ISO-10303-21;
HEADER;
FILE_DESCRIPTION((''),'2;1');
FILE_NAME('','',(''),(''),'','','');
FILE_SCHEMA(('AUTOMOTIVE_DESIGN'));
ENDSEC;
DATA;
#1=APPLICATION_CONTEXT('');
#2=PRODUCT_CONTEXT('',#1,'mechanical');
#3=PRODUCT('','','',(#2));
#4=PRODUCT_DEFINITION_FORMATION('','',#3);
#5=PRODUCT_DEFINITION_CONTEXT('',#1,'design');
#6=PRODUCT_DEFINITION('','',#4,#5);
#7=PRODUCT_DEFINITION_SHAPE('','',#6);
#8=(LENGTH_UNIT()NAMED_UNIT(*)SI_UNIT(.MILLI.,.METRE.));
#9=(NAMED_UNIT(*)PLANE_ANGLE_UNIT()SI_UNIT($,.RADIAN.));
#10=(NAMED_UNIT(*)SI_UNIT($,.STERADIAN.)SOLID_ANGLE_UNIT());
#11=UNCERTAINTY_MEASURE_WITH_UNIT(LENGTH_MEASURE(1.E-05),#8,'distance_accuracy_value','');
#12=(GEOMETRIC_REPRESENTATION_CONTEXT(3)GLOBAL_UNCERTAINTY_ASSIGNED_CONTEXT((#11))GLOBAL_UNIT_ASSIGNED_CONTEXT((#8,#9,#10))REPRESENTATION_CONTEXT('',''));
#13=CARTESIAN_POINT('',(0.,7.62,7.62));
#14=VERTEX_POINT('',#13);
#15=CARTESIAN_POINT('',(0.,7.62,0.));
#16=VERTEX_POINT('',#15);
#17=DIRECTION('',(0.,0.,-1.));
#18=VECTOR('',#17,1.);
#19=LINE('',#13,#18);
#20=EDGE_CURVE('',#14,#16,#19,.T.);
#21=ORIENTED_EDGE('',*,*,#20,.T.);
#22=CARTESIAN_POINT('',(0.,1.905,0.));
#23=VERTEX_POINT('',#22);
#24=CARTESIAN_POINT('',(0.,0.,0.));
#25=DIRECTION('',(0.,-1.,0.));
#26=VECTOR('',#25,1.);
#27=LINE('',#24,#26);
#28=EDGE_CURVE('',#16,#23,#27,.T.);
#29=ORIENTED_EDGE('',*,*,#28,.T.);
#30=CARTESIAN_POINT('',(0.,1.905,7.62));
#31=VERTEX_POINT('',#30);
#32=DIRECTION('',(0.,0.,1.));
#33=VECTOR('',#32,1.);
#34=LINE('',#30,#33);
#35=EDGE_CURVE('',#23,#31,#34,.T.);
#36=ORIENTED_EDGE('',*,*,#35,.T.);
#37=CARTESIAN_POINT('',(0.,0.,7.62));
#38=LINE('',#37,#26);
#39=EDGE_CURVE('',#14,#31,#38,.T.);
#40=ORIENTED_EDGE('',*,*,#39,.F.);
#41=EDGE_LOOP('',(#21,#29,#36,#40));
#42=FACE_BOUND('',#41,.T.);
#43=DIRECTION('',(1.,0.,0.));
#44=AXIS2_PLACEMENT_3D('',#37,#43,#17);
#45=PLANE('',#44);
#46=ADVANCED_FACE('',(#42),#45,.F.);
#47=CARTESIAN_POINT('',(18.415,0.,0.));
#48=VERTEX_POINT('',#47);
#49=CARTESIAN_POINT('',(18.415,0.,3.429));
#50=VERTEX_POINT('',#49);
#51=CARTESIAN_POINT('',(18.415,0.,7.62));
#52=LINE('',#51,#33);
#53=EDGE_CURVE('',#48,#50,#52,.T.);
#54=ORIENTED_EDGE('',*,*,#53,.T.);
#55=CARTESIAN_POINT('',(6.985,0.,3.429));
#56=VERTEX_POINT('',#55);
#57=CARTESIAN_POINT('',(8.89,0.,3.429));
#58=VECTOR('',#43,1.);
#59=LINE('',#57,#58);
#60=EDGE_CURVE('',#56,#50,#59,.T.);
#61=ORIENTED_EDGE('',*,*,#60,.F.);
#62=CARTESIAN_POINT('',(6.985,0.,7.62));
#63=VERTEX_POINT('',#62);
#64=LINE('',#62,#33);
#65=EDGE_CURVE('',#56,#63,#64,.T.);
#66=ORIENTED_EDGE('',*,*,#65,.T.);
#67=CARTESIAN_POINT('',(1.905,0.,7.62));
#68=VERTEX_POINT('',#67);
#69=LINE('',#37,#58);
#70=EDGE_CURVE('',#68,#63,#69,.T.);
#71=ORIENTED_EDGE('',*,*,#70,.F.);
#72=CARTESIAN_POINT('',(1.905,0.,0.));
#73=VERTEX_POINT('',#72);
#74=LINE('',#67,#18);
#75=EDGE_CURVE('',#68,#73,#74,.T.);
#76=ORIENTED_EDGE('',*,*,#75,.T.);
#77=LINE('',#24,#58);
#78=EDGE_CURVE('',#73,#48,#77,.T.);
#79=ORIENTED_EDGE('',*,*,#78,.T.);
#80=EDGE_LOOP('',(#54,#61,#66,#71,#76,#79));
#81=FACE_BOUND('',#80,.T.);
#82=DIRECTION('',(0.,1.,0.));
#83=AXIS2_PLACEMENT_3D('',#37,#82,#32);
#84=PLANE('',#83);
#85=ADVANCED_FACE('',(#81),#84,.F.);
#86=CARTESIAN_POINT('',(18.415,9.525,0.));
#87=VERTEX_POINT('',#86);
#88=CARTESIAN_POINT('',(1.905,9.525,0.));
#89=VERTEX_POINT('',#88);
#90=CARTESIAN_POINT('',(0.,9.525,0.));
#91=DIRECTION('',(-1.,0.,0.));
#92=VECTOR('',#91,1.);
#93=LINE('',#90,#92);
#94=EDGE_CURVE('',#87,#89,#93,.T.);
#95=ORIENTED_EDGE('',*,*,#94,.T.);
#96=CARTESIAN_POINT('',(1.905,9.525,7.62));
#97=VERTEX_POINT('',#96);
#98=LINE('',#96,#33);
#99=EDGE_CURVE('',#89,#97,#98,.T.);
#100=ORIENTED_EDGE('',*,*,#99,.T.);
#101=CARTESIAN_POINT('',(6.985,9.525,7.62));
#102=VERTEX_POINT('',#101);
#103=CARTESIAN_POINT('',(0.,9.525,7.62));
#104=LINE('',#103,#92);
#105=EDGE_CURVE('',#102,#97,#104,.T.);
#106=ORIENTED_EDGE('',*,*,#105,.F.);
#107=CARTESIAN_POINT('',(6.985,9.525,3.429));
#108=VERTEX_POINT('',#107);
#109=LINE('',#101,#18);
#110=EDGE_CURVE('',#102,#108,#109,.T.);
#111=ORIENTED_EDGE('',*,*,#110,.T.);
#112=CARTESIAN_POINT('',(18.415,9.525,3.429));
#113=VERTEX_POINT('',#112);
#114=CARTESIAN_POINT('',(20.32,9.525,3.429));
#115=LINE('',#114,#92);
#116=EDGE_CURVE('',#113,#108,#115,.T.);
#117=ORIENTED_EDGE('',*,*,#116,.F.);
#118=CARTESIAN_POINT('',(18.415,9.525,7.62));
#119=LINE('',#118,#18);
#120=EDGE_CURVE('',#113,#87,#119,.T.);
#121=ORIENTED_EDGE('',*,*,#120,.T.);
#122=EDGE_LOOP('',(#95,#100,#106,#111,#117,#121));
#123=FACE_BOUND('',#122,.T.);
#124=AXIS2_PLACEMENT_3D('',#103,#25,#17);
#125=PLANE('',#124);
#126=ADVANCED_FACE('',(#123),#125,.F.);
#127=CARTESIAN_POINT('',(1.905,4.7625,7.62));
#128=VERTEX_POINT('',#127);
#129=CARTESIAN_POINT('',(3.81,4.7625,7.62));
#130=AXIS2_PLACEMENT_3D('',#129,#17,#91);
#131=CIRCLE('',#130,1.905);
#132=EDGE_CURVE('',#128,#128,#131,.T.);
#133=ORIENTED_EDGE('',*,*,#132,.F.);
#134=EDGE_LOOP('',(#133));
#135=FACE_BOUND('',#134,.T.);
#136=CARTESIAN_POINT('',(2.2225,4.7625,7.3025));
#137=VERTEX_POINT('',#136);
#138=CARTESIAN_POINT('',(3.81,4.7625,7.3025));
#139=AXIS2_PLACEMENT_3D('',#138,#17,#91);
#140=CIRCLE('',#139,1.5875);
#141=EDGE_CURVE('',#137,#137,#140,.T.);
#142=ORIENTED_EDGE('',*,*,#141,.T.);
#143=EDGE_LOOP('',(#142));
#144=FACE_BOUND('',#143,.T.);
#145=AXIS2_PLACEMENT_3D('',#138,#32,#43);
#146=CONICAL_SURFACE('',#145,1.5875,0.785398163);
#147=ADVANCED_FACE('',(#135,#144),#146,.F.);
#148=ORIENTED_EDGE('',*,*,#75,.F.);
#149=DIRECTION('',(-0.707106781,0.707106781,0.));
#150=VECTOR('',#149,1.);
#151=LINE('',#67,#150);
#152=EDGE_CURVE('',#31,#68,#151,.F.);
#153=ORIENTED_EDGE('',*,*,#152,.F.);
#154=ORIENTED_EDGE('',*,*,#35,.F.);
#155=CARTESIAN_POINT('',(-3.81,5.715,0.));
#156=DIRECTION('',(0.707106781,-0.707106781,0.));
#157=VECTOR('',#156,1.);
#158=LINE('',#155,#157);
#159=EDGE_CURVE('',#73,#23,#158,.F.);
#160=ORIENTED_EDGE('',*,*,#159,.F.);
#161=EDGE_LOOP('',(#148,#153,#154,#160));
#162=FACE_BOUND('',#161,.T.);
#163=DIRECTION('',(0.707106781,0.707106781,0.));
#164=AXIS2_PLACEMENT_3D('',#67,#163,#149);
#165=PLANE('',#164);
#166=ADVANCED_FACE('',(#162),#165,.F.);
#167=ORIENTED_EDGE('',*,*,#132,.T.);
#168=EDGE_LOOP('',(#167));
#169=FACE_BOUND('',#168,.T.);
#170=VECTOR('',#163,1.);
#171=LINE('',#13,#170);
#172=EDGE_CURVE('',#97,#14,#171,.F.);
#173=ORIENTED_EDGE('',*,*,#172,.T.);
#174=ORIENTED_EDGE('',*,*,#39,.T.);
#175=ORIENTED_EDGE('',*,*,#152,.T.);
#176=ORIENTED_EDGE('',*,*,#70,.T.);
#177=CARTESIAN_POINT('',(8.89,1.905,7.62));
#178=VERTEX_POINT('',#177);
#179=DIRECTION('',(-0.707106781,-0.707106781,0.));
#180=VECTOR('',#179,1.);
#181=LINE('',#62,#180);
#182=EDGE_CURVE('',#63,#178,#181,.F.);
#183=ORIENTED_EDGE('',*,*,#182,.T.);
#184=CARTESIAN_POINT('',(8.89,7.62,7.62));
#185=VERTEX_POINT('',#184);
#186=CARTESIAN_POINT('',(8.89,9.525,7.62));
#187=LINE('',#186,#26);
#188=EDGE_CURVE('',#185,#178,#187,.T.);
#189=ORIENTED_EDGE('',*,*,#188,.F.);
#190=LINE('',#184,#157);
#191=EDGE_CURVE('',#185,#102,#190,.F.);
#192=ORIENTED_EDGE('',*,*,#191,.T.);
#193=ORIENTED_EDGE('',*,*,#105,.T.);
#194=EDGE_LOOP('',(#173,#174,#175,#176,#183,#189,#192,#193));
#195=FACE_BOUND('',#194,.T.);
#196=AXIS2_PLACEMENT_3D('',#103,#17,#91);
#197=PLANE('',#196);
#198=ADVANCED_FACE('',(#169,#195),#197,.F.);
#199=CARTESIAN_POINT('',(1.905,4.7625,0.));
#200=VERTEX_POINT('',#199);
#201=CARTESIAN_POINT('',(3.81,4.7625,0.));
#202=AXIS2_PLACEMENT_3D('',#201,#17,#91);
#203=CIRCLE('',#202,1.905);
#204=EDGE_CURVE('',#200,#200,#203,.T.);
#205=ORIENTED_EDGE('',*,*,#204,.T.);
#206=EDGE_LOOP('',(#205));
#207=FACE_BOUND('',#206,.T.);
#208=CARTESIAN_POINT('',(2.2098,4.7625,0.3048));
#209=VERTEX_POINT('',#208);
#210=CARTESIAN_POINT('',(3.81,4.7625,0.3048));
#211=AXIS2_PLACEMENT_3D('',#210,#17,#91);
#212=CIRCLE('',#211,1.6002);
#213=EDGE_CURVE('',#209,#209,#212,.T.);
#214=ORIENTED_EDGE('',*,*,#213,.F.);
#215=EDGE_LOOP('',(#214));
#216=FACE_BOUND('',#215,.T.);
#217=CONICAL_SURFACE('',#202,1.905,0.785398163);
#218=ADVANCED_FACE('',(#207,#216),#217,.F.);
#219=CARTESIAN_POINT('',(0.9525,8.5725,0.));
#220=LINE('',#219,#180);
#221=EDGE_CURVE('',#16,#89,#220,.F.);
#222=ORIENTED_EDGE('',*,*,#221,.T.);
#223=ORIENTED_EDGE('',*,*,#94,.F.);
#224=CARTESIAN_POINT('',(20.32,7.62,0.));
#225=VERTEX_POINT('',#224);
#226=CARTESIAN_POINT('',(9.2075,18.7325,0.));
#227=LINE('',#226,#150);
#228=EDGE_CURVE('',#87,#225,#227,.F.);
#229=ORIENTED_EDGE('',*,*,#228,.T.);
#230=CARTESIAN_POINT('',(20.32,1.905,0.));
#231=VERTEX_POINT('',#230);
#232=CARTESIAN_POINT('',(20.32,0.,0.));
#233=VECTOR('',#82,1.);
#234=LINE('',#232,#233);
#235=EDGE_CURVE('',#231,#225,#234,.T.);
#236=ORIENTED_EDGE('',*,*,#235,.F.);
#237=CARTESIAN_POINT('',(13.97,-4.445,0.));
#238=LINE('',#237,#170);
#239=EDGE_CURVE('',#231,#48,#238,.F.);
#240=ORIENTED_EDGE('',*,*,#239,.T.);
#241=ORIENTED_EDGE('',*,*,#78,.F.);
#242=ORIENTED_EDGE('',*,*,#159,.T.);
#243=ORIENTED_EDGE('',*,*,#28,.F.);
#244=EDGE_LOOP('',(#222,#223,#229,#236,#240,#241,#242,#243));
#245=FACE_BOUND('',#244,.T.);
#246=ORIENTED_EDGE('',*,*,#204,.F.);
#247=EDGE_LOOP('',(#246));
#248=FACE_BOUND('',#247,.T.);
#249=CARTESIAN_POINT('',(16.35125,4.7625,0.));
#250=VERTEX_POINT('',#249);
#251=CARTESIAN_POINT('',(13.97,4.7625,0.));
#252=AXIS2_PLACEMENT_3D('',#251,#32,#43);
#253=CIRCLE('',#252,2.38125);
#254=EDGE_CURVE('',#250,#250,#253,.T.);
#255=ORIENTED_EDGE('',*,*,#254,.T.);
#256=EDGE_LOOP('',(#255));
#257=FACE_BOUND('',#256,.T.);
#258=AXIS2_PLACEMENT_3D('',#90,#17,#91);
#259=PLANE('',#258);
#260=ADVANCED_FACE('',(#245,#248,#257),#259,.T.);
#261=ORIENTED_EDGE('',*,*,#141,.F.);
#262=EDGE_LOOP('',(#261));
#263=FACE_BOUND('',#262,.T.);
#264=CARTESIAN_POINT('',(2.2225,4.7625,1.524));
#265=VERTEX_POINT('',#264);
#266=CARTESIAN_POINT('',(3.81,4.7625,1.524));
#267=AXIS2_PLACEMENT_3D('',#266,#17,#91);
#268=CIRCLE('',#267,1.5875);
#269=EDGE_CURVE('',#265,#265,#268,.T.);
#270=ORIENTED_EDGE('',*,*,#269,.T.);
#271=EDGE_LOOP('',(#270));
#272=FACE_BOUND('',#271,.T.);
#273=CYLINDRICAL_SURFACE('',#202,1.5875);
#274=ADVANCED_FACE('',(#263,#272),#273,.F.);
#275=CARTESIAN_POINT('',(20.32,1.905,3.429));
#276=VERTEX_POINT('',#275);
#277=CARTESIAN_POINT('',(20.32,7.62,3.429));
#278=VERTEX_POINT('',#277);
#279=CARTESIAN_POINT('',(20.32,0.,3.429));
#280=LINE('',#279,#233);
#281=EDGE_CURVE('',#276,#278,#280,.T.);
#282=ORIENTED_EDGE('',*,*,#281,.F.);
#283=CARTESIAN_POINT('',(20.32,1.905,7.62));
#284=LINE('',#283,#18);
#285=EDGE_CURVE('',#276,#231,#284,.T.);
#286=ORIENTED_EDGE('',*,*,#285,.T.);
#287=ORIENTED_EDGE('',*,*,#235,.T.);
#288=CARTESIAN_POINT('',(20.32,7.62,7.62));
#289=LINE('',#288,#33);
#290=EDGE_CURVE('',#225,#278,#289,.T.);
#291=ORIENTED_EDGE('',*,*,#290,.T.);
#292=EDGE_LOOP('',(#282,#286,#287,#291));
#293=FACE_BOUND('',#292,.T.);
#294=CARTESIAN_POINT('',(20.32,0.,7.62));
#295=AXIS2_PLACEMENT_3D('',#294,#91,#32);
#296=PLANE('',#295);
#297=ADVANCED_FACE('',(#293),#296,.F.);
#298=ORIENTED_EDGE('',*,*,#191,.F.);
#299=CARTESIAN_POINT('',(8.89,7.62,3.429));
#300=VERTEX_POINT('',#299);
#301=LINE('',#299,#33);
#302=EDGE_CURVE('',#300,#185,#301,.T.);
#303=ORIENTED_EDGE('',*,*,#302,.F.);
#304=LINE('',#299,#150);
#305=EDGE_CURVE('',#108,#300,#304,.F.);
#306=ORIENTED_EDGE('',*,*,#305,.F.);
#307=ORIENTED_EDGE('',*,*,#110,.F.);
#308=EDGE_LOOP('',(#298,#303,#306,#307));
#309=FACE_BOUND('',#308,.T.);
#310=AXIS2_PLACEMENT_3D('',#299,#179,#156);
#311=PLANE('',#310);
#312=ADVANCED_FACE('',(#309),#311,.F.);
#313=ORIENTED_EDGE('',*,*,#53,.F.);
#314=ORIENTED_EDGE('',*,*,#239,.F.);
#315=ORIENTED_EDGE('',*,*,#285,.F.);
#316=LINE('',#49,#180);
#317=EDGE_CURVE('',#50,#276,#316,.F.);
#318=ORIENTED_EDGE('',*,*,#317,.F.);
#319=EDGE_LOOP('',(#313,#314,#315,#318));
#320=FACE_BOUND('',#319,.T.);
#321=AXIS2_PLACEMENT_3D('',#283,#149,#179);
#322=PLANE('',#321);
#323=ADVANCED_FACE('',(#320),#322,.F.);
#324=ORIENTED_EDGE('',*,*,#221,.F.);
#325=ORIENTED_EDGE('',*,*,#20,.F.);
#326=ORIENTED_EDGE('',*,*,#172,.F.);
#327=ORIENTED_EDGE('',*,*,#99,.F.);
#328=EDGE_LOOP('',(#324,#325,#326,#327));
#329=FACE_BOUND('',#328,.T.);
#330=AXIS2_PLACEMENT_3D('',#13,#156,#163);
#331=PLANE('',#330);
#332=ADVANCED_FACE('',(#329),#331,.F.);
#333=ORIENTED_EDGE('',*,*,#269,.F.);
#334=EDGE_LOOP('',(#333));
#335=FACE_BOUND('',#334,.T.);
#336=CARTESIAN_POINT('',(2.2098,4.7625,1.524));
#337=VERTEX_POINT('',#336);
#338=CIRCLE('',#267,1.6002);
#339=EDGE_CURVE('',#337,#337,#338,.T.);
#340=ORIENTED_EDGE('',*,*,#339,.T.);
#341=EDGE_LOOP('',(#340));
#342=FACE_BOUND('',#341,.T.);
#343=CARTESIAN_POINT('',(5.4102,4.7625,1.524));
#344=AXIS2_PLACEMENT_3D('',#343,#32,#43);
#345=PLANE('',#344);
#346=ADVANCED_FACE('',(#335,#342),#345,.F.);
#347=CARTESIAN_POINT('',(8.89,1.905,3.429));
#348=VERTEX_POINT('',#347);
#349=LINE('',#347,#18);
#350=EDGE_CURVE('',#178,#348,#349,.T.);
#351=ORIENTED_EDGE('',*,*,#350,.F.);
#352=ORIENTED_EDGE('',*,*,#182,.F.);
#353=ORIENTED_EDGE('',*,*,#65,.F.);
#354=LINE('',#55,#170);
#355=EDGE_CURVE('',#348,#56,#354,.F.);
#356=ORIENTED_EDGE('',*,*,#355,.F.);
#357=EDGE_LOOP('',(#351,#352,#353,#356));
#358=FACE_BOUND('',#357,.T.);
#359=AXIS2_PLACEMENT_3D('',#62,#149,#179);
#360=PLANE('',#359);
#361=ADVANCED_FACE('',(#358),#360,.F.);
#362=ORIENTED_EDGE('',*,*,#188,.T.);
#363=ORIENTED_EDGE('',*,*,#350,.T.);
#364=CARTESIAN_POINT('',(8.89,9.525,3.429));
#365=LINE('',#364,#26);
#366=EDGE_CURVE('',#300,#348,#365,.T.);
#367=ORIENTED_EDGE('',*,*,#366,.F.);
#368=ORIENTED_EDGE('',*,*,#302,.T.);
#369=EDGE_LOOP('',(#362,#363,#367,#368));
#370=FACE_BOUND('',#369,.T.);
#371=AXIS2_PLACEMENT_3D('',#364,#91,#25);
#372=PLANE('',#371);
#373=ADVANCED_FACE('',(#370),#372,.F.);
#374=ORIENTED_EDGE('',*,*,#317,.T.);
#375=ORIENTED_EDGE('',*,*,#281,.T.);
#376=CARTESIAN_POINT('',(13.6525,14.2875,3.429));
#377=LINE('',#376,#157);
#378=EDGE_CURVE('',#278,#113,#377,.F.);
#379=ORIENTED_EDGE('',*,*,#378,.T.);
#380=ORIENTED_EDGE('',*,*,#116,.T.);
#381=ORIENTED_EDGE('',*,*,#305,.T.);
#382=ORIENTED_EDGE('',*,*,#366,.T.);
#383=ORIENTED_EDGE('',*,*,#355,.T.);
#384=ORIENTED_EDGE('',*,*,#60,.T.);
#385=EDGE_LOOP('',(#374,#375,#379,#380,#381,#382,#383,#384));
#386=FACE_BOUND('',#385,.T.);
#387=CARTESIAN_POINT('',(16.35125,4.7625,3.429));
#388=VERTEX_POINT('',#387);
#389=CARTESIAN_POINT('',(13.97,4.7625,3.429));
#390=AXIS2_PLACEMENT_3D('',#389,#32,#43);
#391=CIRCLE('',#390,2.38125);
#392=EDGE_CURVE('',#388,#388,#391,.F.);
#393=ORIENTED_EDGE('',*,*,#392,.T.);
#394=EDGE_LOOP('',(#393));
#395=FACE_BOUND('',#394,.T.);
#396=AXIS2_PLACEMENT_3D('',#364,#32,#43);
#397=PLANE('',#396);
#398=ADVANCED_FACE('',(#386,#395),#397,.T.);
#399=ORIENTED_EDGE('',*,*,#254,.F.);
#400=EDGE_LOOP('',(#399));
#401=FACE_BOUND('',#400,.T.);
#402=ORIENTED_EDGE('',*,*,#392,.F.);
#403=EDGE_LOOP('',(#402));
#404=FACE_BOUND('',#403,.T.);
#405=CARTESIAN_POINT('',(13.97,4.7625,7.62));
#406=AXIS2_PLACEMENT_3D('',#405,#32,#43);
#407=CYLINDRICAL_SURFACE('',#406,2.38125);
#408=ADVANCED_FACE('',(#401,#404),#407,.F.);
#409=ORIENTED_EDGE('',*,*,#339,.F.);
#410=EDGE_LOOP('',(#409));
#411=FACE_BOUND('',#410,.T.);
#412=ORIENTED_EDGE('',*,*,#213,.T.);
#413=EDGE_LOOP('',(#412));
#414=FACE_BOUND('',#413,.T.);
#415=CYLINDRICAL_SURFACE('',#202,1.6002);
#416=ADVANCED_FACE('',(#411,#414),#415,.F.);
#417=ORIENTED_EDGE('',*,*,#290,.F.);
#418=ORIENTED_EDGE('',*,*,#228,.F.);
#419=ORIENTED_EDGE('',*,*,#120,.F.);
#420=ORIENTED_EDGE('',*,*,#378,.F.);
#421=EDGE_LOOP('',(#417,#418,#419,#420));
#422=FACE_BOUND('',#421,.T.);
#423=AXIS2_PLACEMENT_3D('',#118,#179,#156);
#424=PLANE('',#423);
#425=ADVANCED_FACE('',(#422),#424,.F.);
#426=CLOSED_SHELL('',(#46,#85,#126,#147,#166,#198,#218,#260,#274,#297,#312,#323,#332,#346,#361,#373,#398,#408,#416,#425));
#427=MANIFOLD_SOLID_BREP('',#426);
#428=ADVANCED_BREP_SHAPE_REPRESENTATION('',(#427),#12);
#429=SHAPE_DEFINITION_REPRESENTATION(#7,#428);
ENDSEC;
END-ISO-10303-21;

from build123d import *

# Parameters (mm, degrees)
SKETCH1_W                      = 20.32
SKETCH1_H                      = 9.525
EXTRUDE1_DEPTH                 = 7.62
F_3_16_0_1875_DIAMETER_HOLE1_D = 4.7625
SKETCH4_W                      = 11.43
SKETCH4_H                      = 9.525
EXTRUDE2_DEPTH                 = 4.191
CHAMFER1_SIZE                  = 1.905


with BuildPart() as part:
    # Sketch1 → Extrude1 (new body)
    with BuildSketch(Plane.XY):
        with Locations((10.16, 4.7625)):
            Rectangle(SKETCH1_W, SKETCH1_H)
    extrude(amount=EXTRUDE1_DEPTH)

    # 3/16 (0.1875) Diameter Hole1 (through all)
    with Locations(Plane(origin=(4.042308369, -0.495150795, 7.62), x_dir=(-1, 0, 0), z_dir=(0, 0, 1))):
        with Locations((-9.927691631, -5.257650795)):
            Hole(F_3_16_0_1875_DIAMETER_HOLE1_D / 2)

    # Sketch4 → Extrude2 (cut)
    with BuildSketch(Plane.XY.offset(7.62)):
        with Locations((14.605, 4.7625)):
            Rectangle(SKETCH4_W, SKETCH4_H)
    extrude(amount=-EXTRUDE2_DEPTH, mode=Mode.SUBTRACT)

    # Chamfer1
    chamfer1_edges = [part.edges().sort_by_distance(p)[0] for p in [
        (20.32, 9.525, 1.7145),
        (20.32, 0, 1.7145),
        (8.89, 9.525, 5.5245),
        (8.89, 0, 5.5245),
        (0, 9.525, 3.81),
        (0, 0, 3.81),
    ]]
    chamfer(chamfer1_edges, length=CHAMFER1_SIZE)

    # Sketch5 → CBORE for #4 Socket Head Cap Screw1 (revolve, cut)
    with BuildSketch(Plane(origin=(3.81, 4.7625, 0), x_dir=(0, 1, 0), z_dir=(1, 0, 0))):
        Polygon((0, 0), (0, 7.62), (1.905, 7.62), (1.5875, 7.3025), (1.5875, 1.524), (1.6002, 1.524), (1.6002, 0.3048), (1.905, 0), align=None)
    revolve(axis=Axis((3.81, 4.7625, -6.35), (0, 0, 1)), mode=Mode.SUBTRACT)


solid = part.part
